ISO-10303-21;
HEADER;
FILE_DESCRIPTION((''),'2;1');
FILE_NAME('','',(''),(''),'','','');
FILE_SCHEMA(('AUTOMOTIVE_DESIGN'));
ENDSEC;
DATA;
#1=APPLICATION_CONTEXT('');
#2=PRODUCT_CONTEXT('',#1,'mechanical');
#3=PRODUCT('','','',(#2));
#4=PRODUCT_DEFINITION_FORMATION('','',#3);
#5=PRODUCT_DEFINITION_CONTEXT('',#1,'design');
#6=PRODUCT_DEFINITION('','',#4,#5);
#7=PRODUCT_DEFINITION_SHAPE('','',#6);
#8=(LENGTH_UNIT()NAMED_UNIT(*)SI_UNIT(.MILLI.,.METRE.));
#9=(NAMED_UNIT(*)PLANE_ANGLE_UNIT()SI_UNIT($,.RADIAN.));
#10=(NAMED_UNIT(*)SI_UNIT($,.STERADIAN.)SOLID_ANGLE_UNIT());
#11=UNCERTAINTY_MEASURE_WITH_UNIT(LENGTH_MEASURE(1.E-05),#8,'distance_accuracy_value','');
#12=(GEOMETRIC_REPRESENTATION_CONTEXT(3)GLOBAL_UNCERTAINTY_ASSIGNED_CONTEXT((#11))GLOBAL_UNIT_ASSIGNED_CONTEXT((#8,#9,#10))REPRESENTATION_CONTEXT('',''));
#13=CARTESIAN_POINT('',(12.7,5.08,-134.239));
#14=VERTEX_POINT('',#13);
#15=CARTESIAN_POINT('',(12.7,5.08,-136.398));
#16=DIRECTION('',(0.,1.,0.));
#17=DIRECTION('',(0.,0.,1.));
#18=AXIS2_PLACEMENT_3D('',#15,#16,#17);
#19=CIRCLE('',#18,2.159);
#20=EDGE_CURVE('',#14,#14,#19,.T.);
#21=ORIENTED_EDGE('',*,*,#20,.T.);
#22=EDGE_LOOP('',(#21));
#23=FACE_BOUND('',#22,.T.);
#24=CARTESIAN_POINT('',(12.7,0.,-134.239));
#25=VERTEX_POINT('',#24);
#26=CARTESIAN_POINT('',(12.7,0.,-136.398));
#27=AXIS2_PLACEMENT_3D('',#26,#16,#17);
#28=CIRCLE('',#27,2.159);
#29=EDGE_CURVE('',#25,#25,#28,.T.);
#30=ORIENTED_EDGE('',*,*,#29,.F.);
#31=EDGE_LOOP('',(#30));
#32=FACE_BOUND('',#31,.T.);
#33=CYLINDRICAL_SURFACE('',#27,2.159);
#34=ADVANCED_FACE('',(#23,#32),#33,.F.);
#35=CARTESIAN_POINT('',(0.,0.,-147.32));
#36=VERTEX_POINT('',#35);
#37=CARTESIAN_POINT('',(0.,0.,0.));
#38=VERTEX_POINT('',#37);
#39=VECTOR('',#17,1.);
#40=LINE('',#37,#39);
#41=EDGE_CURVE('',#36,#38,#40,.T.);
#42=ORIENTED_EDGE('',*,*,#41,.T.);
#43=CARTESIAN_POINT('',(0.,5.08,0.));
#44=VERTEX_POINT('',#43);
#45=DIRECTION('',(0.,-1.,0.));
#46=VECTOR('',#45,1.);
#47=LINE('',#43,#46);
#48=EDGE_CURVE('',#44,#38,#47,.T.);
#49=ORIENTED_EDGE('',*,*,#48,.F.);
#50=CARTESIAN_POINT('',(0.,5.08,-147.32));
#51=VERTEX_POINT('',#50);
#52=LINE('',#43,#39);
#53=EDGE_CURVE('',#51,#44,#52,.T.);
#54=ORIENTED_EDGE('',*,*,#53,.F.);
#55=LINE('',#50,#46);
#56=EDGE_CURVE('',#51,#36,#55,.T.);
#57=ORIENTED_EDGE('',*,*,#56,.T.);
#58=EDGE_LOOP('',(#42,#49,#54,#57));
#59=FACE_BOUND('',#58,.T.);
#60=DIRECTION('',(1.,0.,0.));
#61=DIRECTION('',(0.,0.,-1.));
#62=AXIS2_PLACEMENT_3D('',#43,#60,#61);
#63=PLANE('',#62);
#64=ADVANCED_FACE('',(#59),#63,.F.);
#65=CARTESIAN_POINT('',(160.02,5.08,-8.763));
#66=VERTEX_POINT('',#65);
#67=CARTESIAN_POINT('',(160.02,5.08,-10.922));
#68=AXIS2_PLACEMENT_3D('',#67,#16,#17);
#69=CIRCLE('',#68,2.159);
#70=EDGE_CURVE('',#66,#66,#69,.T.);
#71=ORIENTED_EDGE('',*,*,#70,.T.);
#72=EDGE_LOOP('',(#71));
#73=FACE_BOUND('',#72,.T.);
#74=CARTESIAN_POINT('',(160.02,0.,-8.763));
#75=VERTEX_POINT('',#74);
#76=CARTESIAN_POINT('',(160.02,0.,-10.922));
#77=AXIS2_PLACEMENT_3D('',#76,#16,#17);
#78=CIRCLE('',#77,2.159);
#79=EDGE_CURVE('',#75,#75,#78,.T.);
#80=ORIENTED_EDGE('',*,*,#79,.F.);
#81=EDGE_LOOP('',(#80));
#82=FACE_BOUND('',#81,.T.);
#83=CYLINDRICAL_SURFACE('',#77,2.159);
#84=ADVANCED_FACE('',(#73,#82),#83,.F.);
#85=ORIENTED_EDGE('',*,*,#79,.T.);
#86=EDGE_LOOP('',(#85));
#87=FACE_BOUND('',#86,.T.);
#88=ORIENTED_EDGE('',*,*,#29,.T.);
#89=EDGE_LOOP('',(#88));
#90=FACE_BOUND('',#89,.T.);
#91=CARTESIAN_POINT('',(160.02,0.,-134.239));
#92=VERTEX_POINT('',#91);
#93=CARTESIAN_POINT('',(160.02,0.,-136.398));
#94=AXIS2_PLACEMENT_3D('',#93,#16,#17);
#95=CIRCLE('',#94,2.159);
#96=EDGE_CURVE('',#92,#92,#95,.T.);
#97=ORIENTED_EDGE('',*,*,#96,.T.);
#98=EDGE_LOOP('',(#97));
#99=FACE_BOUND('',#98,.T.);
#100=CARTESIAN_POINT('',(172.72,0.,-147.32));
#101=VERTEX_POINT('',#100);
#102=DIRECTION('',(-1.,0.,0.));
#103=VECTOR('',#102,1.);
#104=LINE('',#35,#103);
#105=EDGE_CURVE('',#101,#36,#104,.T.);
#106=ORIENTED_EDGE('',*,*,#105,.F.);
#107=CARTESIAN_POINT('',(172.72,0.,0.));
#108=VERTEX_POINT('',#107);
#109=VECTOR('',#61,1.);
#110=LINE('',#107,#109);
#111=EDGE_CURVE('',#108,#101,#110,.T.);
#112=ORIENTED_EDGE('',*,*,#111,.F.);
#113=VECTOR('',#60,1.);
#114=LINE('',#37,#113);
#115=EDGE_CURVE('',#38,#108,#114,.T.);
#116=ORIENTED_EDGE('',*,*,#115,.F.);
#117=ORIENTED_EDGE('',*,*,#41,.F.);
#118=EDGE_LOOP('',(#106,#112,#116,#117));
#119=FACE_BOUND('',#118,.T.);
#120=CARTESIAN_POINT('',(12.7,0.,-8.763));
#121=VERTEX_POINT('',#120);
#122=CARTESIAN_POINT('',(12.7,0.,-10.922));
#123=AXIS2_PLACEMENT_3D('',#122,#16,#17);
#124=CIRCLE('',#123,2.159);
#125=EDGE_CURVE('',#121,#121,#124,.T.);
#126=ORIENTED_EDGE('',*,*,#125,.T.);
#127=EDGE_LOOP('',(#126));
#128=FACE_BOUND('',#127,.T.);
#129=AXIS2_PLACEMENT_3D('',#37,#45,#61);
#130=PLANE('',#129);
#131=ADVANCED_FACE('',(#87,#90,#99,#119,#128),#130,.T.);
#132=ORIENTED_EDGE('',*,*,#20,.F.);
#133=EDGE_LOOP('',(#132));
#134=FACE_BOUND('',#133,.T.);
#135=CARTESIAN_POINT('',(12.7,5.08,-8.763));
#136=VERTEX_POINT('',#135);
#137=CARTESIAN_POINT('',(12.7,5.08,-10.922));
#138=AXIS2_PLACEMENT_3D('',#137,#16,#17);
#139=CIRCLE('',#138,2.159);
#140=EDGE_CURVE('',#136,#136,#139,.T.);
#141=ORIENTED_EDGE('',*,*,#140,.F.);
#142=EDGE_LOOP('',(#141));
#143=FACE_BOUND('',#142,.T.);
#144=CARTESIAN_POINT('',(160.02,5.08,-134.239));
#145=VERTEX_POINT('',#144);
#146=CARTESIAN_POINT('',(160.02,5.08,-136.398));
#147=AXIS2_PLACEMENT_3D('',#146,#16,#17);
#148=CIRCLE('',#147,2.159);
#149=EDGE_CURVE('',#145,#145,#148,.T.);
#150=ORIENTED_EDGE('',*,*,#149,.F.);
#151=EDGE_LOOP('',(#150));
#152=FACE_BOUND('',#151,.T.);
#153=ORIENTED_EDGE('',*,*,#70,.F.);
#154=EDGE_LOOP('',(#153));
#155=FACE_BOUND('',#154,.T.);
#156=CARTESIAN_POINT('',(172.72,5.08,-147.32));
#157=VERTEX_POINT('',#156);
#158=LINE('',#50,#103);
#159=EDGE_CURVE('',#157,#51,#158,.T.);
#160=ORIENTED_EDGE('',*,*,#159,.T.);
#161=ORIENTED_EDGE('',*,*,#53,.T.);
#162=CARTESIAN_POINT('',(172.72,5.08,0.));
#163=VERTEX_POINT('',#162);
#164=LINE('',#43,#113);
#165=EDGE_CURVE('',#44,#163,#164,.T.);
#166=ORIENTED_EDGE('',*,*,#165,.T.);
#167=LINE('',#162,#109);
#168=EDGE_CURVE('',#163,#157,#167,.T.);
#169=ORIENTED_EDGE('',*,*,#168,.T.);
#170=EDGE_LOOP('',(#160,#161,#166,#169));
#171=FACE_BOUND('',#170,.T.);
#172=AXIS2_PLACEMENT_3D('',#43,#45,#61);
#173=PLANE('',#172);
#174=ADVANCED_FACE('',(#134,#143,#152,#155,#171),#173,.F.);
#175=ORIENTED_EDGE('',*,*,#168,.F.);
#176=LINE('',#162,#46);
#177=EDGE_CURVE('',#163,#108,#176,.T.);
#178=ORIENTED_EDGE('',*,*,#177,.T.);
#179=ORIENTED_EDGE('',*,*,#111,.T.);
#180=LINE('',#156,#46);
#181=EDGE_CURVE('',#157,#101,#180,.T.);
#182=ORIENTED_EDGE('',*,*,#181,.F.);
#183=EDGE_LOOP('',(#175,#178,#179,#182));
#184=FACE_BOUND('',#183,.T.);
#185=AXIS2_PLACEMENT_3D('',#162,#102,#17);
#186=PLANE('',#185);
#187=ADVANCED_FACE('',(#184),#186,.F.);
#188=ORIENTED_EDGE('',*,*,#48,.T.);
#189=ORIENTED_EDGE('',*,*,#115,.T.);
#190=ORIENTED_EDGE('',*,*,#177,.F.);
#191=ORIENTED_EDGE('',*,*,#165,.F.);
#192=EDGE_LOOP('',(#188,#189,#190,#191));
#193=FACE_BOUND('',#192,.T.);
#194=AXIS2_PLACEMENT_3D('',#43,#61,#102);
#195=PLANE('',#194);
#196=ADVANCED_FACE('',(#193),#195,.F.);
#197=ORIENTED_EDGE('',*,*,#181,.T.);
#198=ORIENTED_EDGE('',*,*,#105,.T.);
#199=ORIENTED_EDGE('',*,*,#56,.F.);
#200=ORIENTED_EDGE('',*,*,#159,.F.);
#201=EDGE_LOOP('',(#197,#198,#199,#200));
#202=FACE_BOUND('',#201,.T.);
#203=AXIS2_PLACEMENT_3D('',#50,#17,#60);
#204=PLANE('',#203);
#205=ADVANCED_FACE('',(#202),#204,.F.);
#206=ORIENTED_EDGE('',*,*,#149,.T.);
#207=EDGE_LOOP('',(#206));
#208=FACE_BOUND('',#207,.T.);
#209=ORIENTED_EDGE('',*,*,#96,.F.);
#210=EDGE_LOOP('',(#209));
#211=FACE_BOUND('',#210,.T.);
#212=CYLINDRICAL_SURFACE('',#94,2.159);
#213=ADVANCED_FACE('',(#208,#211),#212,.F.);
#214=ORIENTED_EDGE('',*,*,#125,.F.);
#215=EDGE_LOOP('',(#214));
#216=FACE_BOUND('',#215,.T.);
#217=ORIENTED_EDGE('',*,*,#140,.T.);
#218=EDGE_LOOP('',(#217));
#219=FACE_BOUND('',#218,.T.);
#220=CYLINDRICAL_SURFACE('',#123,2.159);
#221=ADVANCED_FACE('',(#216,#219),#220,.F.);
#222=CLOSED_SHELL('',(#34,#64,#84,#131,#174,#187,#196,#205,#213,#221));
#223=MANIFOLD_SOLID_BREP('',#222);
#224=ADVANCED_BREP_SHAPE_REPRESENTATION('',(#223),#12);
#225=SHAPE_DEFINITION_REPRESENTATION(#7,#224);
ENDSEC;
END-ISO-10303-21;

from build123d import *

# Parameters (mm, degrees)
SKETCH1_W           = 172.72
SKETCH1_H           = 147.32
BOSS_EXTRUDE1_DEPTH = 5.08
SKETCH3_R           = 2.159
CUT_EXTRUDE1_DEPTH  = 6.08


with BuildPart() as part:
    # Sketch1 → Boss-Extrude1 (new body)
    with BuildSketch(Plane(origin=(0, 0, 0), x_dir=(1, 0, 0), z_dir=(0, 1, 0))):
        with Locations((86.36, 73.66)):
            Rectangle(SKETCH1_W, SKETCH1_H)
    extrude(amount=BOSS_EXTRUDE1_DEPTH)

    # Sketch3 → Cut-Extrude1 (cut, through all)
    with BuildSketch(Plane(origin=(0, 5.08, 0), x_dir=(1, 0, 0), z_dir=(0, 1, 0))):
        with Locations((12.7, 136.398)):
            Circle(SKETCH3_R)
        with Locations((160.02, 136.398)):
            Circle(SKETCH3_R)
        with Locations((160.02, 10.922)):
            Circle(SKETCH3_R)
        with Locations((12.7, 10.922)):
            Circle(SKETCH3_R)
    extrude(amount=-CUT_EXTRUDE1_DEPTH, mode=Mode.SUBTRACT)


solid = part.part
